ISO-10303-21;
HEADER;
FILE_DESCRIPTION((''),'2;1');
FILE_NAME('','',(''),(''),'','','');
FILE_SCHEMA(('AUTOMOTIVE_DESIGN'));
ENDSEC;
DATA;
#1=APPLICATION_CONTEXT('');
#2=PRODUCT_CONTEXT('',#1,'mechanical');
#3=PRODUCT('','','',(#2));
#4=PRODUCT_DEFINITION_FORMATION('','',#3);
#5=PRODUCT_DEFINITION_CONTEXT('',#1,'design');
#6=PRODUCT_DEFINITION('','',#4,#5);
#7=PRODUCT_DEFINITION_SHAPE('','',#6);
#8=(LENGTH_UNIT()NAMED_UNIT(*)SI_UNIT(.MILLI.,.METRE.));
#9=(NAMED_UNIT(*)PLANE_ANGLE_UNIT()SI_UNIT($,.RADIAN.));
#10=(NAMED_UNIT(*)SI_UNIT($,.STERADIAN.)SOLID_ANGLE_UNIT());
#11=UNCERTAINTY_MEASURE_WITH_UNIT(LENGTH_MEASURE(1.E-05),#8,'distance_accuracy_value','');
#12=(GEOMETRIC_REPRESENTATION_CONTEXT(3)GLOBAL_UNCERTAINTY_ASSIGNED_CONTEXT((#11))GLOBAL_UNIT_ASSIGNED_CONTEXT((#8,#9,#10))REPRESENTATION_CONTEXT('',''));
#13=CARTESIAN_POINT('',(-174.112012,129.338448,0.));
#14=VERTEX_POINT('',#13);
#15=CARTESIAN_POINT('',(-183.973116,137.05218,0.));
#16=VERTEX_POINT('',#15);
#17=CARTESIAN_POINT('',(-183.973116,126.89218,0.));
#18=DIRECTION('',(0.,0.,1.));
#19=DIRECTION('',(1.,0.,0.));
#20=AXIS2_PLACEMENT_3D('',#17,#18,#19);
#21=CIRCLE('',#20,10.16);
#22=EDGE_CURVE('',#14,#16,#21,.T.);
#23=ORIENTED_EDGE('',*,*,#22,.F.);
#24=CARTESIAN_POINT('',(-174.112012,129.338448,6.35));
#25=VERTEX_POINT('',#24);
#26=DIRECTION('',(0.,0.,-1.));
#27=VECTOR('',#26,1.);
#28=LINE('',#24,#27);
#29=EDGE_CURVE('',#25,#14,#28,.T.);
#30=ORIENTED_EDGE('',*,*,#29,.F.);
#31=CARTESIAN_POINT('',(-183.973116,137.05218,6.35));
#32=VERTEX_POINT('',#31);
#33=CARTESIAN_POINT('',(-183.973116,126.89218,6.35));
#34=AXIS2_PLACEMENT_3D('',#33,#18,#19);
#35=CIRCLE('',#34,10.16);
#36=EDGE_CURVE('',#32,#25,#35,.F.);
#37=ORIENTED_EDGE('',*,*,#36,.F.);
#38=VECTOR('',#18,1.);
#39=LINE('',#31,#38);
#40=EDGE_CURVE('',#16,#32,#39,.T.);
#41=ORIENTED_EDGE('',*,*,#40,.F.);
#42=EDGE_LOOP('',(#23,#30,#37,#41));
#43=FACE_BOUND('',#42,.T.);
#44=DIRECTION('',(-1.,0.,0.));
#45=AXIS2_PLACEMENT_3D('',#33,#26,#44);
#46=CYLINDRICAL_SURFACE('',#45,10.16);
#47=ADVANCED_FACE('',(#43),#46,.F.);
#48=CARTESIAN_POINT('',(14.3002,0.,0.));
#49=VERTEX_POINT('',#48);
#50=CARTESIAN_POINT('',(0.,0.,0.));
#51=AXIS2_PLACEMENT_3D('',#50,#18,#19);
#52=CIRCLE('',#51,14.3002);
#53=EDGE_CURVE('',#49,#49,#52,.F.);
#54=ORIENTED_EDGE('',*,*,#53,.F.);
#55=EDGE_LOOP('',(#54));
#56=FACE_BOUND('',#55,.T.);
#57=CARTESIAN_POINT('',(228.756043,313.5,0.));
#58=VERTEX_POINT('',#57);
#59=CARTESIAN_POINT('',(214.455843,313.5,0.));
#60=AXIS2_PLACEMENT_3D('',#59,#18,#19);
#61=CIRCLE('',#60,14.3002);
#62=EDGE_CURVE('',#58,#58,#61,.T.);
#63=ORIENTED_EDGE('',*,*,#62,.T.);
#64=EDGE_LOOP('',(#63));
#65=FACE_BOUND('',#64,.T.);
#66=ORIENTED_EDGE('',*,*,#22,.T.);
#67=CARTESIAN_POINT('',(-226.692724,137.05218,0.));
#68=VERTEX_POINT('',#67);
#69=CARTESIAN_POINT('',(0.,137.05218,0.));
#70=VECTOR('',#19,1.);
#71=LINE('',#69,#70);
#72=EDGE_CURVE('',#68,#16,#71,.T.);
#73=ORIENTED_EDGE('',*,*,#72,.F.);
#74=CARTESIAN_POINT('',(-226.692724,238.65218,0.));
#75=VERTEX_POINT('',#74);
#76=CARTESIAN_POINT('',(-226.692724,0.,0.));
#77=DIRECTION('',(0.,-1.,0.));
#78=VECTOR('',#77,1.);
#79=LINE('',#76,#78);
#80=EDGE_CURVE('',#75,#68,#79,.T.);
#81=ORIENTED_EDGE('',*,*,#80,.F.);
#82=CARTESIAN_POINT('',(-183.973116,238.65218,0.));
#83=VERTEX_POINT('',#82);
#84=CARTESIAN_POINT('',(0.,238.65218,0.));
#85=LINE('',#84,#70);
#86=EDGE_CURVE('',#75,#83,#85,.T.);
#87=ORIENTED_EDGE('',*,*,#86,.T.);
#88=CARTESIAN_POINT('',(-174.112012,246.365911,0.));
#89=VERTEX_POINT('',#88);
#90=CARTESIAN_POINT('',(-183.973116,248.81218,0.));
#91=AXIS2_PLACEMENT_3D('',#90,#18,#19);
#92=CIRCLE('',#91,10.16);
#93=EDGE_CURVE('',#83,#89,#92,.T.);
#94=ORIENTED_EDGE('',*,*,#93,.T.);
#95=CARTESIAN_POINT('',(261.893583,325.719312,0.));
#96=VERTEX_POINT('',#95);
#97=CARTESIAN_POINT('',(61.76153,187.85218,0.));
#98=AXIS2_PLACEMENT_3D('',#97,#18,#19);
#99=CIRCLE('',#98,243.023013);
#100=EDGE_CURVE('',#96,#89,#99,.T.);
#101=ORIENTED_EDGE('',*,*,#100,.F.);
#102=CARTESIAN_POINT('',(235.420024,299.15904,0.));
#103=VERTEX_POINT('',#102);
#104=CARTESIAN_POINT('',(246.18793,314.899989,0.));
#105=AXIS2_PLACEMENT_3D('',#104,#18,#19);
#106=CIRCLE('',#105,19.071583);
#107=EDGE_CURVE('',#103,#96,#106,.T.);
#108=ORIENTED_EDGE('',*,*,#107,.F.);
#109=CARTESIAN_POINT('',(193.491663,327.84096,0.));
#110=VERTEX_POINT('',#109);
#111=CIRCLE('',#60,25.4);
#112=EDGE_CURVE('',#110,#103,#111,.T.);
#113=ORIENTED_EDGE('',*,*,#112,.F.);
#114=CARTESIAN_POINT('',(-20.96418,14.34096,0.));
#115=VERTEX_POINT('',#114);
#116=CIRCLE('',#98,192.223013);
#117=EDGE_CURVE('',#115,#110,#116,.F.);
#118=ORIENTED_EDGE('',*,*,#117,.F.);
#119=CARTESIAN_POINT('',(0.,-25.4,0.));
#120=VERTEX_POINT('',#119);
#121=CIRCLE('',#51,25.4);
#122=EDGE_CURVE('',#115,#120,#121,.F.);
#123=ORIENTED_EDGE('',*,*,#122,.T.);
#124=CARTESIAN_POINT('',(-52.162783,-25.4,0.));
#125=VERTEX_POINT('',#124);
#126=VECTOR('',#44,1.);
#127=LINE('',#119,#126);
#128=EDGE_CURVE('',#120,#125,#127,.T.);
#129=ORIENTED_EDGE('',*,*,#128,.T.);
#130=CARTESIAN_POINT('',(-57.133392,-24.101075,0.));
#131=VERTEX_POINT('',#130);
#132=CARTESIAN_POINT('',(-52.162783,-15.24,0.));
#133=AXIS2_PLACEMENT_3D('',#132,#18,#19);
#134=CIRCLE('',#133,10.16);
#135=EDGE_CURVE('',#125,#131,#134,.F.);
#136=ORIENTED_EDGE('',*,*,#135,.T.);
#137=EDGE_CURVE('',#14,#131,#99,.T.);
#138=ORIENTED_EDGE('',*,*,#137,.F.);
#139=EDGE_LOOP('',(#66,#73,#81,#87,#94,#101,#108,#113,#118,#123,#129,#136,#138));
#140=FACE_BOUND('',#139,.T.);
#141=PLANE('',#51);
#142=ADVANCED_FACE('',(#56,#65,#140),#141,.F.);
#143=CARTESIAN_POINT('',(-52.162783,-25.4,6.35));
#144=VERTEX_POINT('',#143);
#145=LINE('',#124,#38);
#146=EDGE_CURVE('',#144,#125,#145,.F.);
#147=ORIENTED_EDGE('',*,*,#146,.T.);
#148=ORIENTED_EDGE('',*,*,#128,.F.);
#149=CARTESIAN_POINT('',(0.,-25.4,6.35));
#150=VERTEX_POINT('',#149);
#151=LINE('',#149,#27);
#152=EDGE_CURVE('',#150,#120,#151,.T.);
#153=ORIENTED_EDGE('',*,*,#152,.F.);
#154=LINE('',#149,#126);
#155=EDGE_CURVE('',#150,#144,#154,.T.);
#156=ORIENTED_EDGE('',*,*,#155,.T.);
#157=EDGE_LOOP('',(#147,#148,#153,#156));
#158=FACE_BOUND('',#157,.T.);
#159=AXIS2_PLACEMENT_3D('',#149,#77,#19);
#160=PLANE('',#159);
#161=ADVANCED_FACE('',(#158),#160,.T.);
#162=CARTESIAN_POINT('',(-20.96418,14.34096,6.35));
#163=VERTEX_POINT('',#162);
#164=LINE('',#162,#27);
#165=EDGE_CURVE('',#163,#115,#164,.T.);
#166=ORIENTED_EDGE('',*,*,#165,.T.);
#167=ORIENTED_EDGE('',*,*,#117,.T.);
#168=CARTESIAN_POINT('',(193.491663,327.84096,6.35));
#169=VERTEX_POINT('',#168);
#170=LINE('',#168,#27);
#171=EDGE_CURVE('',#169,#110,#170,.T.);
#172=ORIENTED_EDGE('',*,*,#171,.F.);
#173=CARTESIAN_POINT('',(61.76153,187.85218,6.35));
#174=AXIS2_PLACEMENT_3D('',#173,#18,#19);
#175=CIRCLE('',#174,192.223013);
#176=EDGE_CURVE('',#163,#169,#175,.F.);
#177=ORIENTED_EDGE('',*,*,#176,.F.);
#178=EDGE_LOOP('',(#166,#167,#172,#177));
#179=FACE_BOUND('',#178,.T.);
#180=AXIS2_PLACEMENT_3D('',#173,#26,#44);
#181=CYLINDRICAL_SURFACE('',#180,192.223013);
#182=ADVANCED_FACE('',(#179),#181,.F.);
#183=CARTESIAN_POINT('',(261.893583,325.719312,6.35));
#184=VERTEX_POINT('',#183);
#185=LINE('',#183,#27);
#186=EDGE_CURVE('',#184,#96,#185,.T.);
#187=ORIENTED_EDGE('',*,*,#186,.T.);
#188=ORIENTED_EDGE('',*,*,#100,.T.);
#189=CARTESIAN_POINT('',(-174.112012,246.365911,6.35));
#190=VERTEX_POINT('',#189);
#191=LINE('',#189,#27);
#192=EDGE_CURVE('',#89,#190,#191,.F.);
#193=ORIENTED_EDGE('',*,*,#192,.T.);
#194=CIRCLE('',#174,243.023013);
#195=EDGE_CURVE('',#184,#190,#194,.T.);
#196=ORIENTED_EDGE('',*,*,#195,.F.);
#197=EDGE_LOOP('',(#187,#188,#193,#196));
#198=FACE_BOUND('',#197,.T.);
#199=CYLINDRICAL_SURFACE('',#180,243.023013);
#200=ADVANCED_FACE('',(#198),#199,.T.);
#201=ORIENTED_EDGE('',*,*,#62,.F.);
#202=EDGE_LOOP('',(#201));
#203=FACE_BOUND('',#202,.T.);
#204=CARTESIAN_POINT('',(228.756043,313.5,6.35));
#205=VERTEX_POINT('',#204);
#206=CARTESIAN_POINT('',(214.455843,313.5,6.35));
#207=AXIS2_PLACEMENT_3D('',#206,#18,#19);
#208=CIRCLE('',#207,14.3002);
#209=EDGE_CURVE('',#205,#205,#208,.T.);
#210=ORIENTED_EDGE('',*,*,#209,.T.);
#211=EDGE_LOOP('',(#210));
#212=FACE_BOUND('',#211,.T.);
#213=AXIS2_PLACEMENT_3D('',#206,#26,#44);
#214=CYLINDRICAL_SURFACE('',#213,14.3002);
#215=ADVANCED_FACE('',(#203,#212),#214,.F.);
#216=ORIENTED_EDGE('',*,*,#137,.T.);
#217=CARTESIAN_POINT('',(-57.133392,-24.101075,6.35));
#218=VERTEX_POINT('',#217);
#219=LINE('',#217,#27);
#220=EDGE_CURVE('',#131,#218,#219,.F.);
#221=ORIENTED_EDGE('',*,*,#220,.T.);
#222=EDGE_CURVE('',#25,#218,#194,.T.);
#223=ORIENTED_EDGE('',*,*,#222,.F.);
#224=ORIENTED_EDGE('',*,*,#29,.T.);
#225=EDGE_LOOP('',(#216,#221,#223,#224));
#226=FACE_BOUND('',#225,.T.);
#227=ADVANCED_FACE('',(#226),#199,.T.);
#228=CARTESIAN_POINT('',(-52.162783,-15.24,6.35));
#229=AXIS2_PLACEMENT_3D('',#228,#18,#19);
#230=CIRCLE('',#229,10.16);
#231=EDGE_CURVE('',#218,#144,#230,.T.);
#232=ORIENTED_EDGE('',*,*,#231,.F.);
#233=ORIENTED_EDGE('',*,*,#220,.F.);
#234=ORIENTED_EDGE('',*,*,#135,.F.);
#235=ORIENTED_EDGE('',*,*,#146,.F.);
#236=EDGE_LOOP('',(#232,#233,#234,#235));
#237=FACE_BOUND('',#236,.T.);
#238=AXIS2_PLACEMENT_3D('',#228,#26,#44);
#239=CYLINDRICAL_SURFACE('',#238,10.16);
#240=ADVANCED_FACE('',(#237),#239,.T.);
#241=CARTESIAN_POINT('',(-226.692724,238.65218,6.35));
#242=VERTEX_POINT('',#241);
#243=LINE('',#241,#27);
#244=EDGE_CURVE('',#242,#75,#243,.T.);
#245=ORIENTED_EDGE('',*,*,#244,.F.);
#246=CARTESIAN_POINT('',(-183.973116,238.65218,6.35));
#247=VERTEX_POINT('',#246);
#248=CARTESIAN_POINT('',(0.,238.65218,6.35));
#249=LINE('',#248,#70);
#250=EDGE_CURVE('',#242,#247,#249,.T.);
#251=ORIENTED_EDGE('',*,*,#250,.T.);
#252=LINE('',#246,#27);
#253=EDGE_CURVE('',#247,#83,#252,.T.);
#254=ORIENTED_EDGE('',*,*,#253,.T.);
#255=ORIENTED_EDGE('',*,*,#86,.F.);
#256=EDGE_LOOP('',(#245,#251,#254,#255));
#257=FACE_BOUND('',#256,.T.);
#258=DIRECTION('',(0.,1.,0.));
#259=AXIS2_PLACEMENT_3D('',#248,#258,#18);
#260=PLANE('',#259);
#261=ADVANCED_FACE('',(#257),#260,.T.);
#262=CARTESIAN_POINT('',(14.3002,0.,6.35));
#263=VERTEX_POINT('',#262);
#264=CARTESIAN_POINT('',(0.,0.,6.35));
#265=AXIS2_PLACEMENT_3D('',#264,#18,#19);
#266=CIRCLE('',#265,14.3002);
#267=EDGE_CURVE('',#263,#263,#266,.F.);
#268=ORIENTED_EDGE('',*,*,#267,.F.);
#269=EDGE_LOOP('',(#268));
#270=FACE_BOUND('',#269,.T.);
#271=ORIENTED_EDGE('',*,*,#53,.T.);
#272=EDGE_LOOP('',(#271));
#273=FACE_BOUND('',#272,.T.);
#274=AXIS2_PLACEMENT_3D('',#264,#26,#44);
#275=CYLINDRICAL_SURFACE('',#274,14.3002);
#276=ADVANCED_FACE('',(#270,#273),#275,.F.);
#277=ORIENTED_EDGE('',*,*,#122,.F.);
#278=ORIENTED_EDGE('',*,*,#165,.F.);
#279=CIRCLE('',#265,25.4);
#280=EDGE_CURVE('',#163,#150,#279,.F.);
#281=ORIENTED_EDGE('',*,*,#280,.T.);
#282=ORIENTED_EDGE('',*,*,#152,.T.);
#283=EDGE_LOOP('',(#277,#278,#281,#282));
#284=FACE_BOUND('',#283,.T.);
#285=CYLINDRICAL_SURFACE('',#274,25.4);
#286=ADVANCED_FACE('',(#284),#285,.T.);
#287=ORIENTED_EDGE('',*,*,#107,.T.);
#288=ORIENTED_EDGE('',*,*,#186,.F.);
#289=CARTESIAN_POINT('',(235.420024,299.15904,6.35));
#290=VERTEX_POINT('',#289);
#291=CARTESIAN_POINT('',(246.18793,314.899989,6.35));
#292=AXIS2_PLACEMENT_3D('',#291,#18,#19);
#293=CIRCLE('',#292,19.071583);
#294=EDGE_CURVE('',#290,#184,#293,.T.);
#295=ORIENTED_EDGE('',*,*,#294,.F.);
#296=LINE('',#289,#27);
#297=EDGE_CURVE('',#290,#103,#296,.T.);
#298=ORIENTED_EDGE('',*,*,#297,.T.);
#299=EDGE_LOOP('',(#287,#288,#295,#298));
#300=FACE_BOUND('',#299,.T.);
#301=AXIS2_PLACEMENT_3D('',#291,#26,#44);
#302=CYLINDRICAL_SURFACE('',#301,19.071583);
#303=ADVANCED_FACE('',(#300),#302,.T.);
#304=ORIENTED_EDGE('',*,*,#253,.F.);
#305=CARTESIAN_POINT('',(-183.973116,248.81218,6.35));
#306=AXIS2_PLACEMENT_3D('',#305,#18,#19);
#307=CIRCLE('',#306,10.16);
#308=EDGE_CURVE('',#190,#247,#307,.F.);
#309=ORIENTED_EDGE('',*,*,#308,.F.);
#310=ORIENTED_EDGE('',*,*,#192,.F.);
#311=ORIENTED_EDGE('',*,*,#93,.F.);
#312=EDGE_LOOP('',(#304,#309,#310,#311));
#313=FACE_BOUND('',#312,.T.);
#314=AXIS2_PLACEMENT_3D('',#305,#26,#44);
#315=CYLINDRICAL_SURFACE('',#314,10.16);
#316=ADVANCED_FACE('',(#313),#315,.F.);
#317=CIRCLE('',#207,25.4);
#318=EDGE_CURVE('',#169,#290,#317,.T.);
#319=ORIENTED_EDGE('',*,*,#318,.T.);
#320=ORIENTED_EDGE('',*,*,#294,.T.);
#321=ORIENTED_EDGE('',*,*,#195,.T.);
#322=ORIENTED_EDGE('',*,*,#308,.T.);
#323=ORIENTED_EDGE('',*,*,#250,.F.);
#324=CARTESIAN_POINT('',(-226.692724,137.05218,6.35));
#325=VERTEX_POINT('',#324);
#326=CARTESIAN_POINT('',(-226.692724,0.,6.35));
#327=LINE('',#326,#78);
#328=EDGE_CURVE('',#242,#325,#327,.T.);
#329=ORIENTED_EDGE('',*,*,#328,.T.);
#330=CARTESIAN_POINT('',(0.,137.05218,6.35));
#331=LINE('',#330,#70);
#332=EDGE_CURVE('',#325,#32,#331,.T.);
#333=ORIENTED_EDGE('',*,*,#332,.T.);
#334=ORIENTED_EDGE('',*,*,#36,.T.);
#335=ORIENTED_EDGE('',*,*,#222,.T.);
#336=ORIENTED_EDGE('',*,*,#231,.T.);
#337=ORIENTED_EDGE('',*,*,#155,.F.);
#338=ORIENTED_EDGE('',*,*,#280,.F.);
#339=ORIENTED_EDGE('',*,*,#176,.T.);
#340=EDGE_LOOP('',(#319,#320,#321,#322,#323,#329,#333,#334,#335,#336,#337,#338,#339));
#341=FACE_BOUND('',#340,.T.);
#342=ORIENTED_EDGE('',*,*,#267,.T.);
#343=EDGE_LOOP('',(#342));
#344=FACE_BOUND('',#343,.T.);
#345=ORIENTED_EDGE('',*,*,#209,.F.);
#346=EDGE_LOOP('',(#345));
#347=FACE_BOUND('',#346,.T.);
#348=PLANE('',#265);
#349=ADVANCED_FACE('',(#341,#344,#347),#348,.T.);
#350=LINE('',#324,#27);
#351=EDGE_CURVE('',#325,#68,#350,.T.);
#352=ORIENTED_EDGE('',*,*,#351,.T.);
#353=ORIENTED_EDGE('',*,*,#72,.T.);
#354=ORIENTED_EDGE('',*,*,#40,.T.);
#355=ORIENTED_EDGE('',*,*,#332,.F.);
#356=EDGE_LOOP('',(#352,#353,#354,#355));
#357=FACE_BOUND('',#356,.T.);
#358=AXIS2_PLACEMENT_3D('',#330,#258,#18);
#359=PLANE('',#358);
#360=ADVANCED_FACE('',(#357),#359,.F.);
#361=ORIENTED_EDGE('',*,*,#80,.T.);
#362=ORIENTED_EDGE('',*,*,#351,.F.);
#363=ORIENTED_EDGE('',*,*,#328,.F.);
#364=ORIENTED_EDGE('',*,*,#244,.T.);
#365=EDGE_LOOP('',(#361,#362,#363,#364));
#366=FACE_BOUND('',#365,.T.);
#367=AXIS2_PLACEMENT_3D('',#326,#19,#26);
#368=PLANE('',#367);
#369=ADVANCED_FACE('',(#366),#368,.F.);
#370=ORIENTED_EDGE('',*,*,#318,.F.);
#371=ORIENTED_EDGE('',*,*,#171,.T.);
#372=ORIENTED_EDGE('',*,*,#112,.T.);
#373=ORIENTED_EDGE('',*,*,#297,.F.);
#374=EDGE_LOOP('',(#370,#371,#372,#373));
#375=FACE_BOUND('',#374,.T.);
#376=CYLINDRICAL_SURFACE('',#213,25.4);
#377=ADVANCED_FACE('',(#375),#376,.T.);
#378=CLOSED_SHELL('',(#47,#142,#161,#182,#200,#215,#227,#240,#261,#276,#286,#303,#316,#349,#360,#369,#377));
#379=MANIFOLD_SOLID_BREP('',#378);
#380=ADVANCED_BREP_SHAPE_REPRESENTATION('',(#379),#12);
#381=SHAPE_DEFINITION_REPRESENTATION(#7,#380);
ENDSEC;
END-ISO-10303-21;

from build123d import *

# Parameters (mm, degrees)
SKETCH1_R           = 14.3002
BOSS_EXTRUDE1_DEPTH = 6.35
FILLET1_R           = 10.16


with BuildPart() as part:
    # Sketch1 → Boss-Extrude1 (new body)
    with BuildSketch(Plane.XY):
        with BuildLine():
            Line((-54.787568662, -25.4), (0, -25.4))
            ThreePointArc((0, -25.4), (22.465756024, 11.851152107), (-20.96418046, 14.340960136))
            ThreePointArc((-20.96418046, 14.340960136), (-96.891931571, 296.382201918), (193.491662983, 327.840960136))
            ThreePointArc((193.491662983, 327.840960136), (200.114883307, 292.53581954), (235.420023903, 299.159039864))
            ThreePointArc((235.420023903, 299.159039864), (259.695607277, 301.436411104), (261.893582664, 325.719311922))
            ThreePointArc((261.893582664, 325.719311922), (14.357413322, 426.207029502), (-175.89272439, 238.652179878))
            Line((-175.89272439, 238.652179878), (-226.69272439, 238.652179878))
            Line((-226.69272439, 238.652179878), (-226.69272439, 137.052179878))
            Line((-226.69272439, 137.052179878), (-175.89272439, 137.052179878))
            ThreePointArc((-175.89272439, 137.052179878), (-133.078613493, 42.602384317), (-54.787568662, -25.4))
        make_face()
        Circle(SKETCH1_R, mode=Mode.SUBTRACT)
        with Locations((214.455843443, 313.5)):
            Circle(SKETCH1_R, mode=Mode.SUBTRACT)
    extrude(amount=BOSS_EXTRUDE1_DEPTH)

    # Fillet1
    fillet1_edges = [part.edges().sort_by_distance(p)[0] for p in [
        (-54.787568662, -25.4, 3.175),
        (-175.89272439, 137.052179878, 3.175),
        (-175.89272439, 238.652179878, 3.175),
    ]]
    fillet(fillet1_edges, radius=FILLET1_R)


solid = part.part
